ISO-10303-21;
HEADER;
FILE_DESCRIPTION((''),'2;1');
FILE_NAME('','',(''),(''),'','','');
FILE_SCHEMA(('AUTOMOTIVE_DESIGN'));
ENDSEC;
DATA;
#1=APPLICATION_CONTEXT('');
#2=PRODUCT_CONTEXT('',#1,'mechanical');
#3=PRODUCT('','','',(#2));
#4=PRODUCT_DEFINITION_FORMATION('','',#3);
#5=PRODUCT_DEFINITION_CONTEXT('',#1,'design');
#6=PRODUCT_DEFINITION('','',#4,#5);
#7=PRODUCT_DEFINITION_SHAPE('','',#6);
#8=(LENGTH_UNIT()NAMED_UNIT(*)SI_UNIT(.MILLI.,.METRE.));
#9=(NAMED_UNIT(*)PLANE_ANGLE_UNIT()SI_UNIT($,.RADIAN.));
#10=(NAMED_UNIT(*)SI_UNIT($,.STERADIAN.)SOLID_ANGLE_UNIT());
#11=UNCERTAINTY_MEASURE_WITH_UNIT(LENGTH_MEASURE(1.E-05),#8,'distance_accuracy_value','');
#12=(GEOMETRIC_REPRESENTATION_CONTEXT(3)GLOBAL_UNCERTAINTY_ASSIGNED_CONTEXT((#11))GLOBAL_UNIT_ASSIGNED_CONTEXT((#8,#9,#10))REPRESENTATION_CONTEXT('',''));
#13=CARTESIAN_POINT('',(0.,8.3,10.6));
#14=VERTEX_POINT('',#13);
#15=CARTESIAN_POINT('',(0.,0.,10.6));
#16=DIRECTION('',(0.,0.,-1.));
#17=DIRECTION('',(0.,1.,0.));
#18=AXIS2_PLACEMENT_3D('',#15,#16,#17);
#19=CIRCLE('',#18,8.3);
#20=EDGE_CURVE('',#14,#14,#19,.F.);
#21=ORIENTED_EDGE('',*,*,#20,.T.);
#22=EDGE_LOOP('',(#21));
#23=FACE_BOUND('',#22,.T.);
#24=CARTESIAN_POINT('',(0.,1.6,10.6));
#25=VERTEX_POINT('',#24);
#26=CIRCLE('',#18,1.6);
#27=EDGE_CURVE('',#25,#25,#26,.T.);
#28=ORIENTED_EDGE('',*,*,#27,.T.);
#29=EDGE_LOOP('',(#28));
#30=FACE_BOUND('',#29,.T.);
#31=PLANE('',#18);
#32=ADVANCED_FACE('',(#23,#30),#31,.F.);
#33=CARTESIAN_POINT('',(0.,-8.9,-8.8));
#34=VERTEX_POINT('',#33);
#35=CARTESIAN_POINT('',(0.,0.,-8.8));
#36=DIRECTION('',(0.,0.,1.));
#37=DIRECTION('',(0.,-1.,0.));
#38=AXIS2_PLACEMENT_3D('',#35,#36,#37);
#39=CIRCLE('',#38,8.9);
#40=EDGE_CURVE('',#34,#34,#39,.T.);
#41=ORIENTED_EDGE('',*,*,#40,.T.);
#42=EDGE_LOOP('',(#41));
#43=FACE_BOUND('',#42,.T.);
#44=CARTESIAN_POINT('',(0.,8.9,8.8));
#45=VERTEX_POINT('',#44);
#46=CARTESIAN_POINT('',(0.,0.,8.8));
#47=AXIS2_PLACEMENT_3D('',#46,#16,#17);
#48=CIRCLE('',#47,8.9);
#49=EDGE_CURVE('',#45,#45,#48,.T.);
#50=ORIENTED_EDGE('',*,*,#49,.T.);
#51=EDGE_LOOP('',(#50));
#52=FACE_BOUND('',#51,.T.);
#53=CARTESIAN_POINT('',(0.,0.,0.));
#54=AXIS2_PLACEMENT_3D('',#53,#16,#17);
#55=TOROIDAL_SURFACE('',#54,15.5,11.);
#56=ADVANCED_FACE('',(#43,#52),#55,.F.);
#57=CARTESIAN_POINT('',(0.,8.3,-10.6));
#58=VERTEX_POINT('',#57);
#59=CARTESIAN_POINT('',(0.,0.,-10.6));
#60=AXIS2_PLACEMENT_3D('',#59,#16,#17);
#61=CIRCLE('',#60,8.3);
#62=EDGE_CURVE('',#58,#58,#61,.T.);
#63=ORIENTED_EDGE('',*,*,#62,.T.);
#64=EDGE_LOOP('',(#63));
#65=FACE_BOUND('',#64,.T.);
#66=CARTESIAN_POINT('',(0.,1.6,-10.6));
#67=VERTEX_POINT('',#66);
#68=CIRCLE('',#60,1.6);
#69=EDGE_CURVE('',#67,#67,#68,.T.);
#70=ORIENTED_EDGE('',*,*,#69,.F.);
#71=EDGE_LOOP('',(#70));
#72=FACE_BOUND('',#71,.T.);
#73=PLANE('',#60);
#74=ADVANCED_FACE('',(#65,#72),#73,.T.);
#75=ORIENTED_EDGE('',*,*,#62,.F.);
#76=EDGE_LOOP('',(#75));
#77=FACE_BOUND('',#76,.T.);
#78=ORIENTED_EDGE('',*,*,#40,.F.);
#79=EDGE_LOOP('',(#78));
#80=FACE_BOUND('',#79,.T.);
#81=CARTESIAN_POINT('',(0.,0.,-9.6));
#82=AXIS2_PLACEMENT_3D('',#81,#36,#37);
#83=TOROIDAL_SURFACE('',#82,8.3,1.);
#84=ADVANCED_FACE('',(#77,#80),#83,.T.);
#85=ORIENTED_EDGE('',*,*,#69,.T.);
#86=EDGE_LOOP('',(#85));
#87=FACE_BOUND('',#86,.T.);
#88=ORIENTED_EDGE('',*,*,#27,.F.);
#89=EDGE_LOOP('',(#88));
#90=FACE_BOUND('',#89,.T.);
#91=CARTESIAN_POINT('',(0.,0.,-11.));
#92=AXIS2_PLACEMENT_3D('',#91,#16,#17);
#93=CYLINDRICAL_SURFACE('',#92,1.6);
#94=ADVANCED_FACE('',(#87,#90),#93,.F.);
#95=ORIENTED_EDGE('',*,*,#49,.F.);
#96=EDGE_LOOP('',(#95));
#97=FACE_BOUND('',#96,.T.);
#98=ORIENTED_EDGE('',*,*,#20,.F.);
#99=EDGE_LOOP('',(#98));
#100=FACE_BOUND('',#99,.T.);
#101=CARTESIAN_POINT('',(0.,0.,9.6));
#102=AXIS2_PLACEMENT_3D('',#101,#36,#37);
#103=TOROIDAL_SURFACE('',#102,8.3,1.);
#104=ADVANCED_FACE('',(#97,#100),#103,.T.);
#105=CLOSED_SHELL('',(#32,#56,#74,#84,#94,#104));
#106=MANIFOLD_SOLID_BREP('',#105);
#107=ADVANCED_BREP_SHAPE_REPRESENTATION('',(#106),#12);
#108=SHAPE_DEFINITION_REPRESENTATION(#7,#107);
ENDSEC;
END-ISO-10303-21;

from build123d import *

# Parameters (mm, degrees)
FILLET1_R = 1


with BuildPart() as part:
    # Sketch1 → Revolve1 (revolve)
    with BuildSketch(Plane(origin=(0, 0, 0), x_dir=(0, 0, -1), z_dir=(1, 0, 0))):
        with BuildLine():
            Line((10.6, 1.6), (10.6, 12.560612309))
            ThreePointArc((10.6, 12.560612309), (0, 4.5), (-10.6, 12.560612309))
            Line((-10.6, 12.560612309), (-10.6, 1.6))
            Line((-10.6, 1.6), (10.6, 1.6))
        make_face()
    revolve(axis=Axis((0, 0, -11), (0, 0, 1)))

    # Fillet1
    fillet1_edges = [part.edges().sort_by_distance(p)[0] for p in [
        (0, -12.560612309, 10.6),
        (0, -12.560612309, -10.6),
    ]]
    fillet(fillet1_edges, radius=FILLET1_R)


solid = part.part
